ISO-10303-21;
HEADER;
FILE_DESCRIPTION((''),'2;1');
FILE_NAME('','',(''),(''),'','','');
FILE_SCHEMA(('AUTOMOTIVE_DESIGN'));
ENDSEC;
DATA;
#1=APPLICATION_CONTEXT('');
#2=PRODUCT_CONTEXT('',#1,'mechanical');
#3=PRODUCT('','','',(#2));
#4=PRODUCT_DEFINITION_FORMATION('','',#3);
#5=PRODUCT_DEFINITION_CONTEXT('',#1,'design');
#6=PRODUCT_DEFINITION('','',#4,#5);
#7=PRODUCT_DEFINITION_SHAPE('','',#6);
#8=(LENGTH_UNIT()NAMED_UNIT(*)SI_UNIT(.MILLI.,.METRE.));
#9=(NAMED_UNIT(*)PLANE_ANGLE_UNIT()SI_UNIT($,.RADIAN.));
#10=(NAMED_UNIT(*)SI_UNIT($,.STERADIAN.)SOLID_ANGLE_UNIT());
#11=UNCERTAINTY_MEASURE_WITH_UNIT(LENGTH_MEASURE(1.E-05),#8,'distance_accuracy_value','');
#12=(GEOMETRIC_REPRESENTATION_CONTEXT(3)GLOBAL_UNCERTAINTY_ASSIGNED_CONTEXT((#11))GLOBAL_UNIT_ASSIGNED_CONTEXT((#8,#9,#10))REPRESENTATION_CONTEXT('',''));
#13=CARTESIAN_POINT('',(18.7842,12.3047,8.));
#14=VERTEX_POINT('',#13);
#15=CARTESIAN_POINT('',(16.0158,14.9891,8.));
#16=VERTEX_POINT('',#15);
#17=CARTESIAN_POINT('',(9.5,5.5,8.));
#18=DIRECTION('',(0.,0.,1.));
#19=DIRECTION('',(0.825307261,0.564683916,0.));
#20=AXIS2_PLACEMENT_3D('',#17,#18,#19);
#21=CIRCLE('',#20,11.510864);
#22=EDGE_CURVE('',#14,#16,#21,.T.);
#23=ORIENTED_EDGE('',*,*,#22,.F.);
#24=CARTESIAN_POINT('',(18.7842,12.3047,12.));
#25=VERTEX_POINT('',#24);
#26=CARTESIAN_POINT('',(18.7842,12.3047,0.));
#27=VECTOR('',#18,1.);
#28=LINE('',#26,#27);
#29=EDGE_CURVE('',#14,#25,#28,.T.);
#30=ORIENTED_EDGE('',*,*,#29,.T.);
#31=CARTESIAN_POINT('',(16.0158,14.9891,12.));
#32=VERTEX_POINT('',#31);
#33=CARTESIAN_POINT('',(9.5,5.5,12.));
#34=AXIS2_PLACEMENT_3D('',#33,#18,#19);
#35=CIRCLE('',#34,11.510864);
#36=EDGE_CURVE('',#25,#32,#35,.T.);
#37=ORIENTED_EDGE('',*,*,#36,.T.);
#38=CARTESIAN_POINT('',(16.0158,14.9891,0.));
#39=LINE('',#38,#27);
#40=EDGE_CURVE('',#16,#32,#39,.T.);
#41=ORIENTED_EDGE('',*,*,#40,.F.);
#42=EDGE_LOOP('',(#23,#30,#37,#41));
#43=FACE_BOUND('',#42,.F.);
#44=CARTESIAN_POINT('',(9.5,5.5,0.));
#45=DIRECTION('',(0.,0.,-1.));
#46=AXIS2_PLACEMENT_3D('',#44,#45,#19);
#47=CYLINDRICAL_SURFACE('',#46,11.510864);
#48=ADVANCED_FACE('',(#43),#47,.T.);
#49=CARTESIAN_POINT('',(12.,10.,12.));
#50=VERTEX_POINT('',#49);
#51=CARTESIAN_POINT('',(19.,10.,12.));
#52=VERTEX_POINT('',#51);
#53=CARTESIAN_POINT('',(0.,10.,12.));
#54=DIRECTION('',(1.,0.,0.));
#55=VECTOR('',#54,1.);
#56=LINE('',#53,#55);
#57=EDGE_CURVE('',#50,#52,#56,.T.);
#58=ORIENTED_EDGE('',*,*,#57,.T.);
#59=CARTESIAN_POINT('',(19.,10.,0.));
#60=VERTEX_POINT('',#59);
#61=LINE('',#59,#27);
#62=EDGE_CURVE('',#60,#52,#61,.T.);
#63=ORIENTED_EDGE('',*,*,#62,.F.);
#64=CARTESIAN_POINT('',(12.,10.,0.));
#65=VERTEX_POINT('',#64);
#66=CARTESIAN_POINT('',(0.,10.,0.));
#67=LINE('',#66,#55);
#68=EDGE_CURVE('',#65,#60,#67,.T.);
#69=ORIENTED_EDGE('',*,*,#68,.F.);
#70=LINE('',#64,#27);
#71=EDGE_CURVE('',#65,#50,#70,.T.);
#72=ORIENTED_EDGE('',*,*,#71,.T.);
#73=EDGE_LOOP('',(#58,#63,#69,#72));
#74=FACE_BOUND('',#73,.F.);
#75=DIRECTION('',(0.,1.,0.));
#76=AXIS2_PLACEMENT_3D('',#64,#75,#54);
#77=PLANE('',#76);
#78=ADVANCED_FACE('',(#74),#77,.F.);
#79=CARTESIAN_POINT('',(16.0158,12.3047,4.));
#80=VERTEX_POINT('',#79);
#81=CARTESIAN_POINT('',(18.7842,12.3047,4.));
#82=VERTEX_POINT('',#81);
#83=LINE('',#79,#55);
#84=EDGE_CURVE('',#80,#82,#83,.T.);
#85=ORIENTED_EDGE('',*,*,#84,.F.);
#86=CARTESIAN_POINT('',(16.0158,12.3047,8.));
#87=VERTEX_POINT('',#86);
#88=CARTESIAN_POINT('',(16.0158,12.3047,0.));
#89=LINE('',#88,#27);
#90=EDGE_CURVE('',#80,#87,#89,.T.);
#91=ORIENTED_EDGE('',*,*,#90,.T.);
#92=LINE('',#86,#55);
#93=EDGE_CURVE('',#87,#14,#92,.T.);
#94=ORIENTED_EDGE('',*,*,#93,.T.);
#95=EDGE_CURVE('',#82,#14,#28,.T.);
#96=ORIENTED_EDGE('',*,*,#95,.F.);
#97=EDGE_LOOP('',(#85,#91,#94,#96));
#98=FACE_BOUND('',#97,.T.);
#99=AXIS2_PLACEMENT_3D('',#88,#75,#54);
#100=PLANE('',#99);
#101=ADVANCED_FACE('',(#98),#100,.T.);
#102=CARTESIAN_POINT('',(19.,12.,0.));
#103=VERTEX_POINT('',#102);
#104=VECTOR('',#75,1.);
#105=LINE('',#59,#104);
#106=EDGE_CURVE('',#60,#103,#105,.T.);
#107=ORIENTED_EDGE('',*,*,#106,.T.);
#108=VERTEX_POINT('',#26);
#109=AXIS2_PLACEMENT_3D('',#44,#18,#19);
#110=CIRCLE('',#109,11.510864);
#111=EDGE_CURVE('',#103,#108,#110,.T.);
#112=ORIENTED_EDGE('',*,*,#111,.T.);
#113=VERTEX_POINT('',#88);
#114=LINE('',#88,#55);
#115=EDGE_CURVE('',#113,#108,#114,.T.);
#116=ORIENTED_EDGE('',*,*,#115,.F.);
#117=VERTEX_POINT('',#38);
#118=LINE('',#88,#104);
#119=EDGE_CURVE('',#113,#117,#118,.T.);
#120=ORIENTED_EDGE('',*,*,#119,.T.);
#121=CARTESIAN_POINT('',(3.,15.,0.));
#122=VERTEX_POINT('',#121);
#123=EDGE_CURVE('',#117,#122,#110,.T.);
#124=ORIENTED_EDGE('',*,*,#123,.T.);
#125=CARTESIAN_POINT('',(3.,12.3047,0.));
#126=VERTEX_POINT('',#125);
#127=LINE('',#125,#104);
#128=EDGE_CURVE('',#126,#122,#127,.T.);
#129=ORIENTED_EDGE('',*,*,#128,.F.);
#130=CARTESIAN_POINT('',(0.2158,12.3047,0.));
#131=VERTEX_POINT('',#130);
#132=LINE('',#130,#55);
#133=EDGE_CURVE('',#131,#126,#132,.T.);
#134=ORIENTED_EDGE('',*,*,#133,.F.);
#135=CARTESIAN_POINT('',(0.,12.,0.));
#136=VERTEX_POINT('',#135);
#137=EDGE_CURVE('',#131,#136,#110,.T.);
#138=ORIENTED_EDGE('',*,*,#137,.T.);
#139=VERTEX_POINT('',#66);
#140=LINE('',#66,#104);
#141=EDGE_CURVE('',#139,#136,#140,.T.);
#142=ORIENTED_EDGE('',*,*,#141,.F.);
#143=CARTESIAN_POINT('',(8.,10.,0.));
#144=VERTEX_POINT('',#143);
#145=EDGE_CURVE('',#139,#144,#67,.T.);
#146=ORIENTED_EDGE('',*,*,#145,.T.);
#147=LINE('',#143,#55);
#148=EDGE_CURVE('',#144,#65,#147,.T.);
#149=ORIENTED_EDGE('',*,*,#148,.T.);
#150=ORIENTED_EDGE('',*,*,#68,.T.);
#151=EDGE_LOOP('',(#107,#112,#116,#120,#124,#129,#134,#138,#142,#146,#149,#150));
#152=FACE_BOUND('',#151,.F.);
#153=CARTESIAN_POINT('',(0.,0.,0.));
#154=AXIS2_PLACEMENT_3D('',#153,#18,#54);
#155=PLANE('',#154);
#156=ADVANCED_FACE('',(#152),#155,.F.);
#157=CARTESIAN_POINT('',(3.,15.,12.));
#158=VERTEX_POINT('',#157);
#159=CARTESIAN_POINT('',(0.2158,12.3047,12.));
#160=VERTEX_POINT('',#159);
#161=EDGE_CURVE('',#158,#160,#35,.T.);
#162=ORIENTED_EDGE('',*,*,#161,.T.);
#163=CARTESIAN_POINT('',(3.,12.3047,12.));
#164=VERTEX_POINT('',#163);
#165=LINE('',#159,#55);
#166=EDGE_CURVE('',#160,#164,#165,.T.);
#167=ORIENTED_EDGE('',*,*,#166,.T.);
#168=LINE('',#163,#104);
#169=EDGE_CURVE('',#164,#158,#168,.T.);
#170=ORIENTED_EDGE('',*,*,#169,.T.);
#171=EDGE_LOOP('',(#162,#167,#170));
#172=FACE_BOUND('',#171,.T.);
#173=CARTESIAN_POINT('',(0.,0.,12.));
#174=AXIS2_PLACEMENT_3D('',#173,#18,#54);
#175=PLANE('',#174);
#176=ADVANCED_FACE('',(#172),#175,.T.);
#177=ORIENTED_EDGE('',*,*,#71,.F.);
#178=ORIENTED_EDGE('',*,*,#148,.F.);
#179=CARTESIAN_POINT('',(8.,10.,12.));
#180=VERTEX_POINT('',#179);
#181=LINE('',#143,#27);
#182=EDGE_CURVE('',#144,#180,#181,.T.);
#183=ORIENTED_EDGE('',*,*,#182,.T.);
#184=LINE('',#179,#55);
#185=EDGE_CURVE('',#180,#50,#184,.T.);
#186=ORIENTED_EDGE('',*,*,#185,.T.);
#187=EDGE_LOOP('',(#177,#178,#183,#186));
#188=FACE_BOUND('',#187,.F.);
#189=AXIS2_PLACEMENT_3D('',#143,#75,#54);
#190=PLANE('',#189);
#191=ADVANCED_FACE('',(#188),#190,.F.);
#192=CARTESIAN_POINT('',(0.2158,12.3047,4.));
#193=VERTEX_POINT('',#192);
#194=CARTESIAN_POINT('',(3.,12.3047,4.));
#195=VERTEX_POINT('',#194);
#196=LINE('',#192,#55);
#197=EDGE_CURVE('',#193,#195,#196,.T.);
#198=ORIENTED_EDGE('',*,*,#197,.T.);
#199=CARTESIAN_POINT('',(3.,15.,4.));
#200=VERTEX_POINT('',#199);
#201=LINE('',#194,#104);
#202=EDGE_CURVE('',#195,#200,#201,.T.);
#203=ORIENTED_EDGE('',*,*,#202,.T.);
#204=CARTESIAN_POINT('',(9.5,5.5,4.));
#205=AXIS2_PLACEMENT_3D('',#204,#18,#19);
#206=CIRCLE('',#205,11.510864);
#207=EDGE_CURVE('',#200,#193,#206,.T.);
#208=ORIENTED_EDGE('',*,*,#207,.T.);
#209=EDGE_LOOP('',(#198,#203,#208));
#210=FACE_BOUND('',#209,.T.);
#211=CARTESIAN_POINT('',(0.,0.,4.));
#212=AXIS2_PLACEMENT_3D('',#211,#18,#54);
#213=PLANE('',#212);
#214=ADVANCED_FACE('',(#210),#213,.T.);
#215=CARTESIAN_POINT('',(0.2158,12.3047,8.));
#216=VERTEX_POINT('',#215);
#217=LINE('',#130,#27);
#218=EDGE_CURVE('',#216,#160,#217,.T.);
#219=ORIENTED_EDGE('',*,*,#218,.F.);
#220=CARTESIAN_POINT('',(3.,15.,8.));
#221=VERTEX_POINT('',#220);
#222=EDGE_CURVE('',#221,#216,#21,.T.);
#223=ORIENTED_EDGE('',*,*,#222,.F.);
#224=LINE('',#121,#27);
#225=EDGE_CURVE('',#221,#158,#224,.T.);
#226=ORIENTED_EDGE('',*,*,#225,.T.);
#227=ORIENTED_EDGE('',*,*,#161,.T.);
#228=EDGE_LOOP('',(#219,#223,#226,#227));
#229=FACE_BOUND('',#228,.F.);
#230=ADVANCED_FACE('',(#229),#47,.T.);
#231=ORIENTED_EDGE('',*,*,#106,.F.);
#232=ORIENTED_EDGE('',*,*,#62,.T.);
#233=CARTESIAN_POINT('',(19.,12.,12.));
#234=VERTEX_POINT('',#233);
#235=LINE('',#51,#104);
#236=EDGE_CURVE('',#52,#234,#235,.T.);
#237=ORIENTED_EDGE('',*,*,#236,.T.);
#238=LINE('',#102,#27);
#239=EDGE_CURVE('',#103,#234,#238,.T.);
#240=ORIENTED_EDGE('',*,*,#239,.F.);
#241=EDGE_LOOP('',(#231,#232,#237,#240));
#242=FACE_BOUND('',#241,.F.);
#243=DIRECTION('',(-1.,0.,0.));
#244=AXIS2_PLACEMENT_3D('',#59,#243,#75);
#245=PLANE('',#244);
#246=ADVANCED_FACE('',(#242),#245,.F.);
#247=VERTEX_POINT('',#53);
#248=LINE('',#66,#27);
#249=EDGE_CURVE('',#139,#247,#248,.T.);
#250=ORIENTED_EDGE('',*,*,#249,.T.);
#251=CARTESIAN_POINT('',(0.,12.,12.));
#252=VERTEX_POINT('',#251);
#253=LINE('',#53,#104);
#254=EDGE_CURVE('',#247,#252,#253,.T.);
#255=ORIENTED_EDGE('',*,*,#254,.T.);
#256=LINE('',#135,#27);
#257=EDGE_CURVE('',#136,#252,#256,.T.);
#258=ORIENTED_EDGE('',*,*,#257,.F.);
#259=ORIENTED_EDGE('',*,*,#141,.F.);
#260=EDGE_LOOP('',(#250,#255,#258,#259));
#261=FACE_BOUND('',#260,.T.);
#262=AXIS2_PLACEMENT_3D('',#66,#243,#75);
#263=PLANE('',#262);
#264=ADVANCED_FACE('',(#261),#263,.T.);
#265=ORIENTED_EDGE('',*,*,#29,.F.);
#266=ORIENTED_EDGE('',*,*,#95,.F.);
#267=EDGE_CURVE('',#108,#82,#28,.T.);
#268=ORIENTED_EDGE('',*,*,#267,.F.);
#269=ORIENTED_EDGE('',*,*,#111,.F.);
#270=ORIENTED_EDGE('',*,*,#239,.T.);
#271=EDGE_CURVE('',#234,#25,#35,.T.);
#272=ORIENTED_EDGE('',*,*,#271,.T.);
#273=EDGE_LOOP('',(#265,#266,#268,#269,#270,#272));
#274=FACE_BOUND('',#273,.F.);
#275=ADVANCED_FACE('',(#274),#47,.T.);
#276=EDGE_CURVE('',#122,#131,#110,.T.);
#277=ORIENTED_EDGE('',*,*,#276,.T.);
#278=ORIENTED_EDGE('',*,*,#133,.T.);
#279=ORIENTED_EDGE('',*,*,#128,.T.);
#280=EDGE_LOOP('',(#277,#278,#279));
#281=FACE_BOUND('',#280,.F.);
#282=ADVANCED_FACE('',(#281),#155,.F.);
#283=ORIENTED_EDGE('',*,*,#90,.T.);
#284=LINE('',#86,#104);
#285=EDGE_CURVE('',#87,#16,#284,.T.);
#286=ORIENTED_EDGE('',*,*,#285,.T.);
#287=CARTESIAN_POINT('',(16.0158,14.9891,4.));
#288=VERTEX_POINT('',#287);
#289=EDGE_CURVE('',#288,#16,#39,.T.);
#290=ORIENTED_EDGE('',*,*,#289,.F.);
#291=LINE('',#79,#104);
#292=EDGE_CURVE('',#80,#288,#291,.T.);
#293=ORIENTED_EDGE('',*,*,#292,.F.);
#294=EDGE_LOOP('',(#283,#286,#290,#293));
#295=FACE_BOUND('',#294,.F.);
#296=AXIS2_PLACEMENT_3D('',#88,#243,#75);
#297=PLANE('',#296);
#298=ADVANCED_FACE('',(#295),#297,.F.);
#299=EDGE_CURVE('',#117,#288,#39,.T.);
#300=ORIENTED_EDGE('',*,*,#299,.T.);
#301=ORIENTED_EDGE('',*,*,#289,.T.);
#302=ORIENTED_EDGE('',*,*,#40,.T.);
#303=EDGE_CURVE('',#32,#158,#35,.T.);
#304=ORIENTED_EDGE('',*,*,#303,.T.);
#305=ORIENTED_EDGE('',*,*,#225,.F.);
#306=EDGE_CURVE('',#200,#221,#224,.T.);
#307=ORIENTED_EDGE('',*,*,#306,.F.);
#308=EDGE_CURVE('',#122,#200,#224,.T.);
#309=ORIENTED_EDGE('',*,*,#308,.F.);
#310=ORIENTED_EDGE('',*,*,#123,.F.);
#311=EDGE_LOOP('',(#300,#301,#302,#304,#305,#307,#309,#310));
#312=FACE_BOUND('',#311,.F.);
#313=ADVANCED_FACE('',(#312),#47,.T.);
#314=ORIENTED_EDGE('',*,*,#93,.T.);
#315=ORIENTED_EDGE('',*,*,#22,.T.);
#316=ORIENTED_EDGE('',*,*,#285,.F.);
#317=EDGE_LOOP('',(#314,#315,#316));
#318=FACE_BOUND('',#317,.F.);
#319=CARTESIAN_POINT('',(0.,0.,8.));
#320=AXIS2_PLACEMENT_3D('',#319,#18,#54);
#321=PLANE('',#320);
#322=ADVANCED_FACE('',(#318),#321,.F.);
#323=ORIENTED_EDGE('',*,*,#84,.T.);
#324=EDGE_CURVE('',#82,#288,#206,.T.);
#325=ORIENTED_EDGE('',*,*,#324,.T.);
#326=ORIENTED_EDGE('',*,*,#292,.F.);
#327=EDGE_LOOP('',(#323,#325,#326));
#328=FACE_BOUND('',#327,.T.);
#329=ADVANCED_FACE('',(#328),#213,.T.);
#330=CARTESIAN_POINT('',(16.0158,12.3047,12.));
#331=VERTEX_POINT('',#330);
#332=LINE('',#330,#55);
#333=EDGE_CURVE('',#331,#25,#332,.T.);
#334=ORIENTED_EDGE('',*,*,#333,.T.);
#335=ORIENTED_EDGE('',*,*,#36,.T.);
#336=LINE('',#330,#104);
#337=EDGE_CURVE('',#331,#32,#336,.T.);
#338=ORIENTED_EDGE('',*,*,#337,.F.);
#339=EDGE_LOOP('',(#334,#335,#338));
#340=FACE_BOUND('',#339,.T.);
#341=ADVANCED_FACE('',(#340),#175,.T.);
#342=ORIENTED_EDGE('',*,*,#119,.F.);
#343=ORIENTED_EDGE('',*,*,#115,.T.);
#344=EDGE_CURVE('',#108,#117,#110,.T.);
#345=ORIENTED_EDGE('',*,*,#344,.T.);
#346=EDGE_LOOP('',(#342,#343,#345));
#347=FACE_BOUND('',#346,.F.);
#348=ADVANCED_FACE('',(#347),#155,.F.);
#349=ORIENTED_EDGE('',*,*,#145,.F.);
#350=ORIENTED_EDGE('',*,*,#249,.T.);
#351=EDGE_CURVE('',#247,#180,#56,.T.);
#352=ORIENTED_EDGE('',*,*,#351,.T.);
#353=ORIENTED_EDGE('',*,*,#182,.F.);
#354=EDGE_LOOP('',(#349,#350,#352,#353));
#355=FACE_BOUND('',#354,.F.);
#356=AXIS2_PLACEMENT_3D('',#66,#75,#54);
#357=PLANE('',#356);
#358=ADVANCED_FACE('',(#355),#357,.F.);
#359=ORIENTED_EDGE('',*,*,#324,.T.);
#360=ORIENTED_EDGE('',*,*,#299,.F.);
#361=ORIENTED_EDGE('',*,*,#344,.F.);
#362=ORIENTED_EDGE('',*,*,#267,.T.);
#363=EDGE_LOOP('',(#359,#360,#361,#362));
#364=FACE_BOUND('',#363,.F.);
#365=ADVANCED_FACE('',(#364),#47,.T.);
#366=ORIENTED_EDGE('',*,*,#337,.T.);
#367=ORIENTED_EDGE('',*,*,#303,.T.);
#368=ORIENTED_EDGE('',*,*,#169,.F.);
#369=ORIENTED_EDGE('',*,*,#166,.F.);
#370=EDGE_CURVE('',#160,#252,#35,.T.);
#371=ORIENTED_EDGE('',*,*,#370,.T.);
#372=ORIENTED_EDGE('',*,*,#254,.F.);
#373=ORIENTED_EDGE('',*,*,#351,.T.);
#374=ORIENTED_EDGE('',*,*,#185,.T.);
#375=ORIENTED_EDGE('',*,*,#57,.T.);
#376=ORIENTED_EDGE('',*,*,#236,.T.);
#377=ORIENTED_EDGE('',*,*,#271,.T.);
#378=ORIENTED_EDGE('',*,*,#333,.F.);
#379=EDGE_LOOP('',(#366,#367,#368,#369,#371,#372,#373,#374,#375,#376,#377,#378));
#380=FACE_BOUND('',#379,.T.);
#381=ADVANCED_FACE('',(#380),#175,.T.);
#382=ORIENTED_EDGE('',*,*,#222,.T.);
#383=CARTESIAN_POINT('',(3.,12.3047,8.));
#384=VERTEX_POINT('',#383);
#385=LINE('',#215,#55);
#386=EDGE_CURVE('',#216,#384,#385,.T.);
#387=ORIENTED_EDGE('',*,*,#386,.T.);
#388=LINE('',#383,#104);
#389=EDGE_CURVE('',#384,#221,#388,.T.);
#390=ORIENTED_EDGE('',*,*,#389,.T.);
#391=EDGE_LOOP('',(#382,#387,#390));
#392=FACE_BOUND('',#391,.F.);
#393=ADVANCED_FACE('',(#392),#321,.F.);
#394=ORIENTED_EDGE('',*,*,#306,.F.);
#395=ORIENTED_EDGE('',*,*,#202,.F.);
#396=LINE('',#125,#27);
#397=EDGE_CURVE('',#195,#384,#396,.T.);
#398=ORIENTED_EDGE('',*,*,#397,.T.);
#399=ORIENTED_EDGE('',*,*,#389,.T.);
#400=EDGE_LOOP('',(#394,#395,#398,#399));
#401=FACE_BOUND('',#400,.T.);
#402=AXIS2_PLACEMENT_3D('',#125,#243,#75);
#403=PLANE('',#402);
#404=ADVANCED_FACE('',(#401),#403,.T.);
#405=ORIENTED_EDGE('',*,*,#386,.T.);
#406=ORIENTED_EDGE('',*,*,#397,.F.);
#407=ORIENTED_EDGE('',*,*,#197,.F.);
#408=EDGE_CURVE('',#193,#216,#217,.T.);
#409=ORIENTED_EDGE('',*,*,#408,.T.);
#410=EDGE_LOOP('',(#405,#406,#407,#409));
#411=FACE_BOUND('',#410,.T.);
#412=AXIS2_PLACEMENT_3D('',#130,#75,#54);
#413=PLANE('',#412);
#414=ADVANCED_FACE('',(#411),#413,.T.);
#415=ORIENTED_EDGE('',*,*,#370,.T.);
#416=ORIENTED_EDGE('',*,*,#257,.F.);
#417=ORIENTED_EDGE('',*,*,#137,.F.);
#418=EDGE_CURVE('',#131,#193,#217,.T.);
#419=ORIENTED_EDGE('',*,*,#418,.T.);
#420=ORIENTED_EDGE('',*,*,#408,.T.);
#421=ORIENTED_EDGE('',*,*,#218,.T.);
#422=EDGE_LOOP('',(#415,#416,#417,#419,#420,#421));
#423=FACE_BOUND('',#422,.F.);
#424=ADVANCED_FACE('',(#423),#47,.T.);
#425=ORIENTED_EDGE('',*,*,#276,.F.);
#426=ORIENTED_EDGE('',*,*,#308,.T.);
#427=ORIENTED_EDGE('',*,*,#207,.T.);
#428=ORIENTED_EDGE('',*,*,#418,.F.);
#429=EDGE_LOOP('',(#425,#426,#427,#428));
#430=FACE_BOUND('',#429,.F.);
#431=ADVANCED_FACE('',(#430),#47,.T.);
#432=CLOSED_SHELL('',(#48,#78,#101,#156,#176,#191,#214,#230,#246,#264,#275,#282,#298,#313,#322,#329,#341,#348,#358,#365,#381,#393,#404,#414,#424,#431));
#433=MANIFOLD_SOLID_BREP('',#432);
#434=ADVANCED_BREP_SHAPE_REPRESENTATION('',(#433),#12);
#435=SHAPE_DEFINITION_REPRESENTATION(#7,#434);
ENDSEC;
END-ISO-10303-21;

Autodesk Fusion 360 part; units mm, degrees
sketch "Sketch1" plane through (0, 0, 0) normal (0, 0, 1) x (1, 0, 0) in component "Component"
  arc A0 (19, 12) -> (0, 12) centre (9.5, 5.5) ccw
  line L0 (19, 10) -> (19, 12)
  line L1 (0, 10) -> (0, 12)
  line L2 (0, 10) -> (19, 10)
  line L3 (8, 10) -> (12, 10)
  line L4 (0.2158, 12.3047) -> (3, 12.3047)
  line L5 (3, 12.3047) -> (3, 15)
  line L6 (16.0158, 12.3047) -> (18.7842, 12.3047)
  line L7 (16.0158, 12.3047) -> (16.0158, 14.9891)
  line L8 (0, 10) -> (19, 10)
  line L9 (19, 10) -> (19, 8)
  line L10 (19, 8) -> (0, 8)
  line L11 (0, 8) -> (0, 10)
  dimension "d36" = 19
extrude "Extrude5" add sketch "Sketch1" along normal blind 12 contours A0 L0 L1 L2 L3 L4 L5 L6 L7 L8 | A0 L6 L7 | A0 L4 L5
extrude "Extrude6" cut sketch "Sketch1" along normal blind 8 contours A0 L6 L7
extrude "Extrude7" add sketch "Sketch1" along normal blind 4 contours A0 L6 L7
extrude "Extrude8" cut sketch "Sketch1" along normal blind 8 contours A0 L4 L5
extrude "Extrude9" add sketch "Sketch1" along normal blind 4 contours A0 L4 L5
extrude "Extrude3" [suppressed] in component "Component"
component "Component" placed x (1, 0, 0) y (0, 1, 0) z (0, 0, 1) at (0, 0, 0)
